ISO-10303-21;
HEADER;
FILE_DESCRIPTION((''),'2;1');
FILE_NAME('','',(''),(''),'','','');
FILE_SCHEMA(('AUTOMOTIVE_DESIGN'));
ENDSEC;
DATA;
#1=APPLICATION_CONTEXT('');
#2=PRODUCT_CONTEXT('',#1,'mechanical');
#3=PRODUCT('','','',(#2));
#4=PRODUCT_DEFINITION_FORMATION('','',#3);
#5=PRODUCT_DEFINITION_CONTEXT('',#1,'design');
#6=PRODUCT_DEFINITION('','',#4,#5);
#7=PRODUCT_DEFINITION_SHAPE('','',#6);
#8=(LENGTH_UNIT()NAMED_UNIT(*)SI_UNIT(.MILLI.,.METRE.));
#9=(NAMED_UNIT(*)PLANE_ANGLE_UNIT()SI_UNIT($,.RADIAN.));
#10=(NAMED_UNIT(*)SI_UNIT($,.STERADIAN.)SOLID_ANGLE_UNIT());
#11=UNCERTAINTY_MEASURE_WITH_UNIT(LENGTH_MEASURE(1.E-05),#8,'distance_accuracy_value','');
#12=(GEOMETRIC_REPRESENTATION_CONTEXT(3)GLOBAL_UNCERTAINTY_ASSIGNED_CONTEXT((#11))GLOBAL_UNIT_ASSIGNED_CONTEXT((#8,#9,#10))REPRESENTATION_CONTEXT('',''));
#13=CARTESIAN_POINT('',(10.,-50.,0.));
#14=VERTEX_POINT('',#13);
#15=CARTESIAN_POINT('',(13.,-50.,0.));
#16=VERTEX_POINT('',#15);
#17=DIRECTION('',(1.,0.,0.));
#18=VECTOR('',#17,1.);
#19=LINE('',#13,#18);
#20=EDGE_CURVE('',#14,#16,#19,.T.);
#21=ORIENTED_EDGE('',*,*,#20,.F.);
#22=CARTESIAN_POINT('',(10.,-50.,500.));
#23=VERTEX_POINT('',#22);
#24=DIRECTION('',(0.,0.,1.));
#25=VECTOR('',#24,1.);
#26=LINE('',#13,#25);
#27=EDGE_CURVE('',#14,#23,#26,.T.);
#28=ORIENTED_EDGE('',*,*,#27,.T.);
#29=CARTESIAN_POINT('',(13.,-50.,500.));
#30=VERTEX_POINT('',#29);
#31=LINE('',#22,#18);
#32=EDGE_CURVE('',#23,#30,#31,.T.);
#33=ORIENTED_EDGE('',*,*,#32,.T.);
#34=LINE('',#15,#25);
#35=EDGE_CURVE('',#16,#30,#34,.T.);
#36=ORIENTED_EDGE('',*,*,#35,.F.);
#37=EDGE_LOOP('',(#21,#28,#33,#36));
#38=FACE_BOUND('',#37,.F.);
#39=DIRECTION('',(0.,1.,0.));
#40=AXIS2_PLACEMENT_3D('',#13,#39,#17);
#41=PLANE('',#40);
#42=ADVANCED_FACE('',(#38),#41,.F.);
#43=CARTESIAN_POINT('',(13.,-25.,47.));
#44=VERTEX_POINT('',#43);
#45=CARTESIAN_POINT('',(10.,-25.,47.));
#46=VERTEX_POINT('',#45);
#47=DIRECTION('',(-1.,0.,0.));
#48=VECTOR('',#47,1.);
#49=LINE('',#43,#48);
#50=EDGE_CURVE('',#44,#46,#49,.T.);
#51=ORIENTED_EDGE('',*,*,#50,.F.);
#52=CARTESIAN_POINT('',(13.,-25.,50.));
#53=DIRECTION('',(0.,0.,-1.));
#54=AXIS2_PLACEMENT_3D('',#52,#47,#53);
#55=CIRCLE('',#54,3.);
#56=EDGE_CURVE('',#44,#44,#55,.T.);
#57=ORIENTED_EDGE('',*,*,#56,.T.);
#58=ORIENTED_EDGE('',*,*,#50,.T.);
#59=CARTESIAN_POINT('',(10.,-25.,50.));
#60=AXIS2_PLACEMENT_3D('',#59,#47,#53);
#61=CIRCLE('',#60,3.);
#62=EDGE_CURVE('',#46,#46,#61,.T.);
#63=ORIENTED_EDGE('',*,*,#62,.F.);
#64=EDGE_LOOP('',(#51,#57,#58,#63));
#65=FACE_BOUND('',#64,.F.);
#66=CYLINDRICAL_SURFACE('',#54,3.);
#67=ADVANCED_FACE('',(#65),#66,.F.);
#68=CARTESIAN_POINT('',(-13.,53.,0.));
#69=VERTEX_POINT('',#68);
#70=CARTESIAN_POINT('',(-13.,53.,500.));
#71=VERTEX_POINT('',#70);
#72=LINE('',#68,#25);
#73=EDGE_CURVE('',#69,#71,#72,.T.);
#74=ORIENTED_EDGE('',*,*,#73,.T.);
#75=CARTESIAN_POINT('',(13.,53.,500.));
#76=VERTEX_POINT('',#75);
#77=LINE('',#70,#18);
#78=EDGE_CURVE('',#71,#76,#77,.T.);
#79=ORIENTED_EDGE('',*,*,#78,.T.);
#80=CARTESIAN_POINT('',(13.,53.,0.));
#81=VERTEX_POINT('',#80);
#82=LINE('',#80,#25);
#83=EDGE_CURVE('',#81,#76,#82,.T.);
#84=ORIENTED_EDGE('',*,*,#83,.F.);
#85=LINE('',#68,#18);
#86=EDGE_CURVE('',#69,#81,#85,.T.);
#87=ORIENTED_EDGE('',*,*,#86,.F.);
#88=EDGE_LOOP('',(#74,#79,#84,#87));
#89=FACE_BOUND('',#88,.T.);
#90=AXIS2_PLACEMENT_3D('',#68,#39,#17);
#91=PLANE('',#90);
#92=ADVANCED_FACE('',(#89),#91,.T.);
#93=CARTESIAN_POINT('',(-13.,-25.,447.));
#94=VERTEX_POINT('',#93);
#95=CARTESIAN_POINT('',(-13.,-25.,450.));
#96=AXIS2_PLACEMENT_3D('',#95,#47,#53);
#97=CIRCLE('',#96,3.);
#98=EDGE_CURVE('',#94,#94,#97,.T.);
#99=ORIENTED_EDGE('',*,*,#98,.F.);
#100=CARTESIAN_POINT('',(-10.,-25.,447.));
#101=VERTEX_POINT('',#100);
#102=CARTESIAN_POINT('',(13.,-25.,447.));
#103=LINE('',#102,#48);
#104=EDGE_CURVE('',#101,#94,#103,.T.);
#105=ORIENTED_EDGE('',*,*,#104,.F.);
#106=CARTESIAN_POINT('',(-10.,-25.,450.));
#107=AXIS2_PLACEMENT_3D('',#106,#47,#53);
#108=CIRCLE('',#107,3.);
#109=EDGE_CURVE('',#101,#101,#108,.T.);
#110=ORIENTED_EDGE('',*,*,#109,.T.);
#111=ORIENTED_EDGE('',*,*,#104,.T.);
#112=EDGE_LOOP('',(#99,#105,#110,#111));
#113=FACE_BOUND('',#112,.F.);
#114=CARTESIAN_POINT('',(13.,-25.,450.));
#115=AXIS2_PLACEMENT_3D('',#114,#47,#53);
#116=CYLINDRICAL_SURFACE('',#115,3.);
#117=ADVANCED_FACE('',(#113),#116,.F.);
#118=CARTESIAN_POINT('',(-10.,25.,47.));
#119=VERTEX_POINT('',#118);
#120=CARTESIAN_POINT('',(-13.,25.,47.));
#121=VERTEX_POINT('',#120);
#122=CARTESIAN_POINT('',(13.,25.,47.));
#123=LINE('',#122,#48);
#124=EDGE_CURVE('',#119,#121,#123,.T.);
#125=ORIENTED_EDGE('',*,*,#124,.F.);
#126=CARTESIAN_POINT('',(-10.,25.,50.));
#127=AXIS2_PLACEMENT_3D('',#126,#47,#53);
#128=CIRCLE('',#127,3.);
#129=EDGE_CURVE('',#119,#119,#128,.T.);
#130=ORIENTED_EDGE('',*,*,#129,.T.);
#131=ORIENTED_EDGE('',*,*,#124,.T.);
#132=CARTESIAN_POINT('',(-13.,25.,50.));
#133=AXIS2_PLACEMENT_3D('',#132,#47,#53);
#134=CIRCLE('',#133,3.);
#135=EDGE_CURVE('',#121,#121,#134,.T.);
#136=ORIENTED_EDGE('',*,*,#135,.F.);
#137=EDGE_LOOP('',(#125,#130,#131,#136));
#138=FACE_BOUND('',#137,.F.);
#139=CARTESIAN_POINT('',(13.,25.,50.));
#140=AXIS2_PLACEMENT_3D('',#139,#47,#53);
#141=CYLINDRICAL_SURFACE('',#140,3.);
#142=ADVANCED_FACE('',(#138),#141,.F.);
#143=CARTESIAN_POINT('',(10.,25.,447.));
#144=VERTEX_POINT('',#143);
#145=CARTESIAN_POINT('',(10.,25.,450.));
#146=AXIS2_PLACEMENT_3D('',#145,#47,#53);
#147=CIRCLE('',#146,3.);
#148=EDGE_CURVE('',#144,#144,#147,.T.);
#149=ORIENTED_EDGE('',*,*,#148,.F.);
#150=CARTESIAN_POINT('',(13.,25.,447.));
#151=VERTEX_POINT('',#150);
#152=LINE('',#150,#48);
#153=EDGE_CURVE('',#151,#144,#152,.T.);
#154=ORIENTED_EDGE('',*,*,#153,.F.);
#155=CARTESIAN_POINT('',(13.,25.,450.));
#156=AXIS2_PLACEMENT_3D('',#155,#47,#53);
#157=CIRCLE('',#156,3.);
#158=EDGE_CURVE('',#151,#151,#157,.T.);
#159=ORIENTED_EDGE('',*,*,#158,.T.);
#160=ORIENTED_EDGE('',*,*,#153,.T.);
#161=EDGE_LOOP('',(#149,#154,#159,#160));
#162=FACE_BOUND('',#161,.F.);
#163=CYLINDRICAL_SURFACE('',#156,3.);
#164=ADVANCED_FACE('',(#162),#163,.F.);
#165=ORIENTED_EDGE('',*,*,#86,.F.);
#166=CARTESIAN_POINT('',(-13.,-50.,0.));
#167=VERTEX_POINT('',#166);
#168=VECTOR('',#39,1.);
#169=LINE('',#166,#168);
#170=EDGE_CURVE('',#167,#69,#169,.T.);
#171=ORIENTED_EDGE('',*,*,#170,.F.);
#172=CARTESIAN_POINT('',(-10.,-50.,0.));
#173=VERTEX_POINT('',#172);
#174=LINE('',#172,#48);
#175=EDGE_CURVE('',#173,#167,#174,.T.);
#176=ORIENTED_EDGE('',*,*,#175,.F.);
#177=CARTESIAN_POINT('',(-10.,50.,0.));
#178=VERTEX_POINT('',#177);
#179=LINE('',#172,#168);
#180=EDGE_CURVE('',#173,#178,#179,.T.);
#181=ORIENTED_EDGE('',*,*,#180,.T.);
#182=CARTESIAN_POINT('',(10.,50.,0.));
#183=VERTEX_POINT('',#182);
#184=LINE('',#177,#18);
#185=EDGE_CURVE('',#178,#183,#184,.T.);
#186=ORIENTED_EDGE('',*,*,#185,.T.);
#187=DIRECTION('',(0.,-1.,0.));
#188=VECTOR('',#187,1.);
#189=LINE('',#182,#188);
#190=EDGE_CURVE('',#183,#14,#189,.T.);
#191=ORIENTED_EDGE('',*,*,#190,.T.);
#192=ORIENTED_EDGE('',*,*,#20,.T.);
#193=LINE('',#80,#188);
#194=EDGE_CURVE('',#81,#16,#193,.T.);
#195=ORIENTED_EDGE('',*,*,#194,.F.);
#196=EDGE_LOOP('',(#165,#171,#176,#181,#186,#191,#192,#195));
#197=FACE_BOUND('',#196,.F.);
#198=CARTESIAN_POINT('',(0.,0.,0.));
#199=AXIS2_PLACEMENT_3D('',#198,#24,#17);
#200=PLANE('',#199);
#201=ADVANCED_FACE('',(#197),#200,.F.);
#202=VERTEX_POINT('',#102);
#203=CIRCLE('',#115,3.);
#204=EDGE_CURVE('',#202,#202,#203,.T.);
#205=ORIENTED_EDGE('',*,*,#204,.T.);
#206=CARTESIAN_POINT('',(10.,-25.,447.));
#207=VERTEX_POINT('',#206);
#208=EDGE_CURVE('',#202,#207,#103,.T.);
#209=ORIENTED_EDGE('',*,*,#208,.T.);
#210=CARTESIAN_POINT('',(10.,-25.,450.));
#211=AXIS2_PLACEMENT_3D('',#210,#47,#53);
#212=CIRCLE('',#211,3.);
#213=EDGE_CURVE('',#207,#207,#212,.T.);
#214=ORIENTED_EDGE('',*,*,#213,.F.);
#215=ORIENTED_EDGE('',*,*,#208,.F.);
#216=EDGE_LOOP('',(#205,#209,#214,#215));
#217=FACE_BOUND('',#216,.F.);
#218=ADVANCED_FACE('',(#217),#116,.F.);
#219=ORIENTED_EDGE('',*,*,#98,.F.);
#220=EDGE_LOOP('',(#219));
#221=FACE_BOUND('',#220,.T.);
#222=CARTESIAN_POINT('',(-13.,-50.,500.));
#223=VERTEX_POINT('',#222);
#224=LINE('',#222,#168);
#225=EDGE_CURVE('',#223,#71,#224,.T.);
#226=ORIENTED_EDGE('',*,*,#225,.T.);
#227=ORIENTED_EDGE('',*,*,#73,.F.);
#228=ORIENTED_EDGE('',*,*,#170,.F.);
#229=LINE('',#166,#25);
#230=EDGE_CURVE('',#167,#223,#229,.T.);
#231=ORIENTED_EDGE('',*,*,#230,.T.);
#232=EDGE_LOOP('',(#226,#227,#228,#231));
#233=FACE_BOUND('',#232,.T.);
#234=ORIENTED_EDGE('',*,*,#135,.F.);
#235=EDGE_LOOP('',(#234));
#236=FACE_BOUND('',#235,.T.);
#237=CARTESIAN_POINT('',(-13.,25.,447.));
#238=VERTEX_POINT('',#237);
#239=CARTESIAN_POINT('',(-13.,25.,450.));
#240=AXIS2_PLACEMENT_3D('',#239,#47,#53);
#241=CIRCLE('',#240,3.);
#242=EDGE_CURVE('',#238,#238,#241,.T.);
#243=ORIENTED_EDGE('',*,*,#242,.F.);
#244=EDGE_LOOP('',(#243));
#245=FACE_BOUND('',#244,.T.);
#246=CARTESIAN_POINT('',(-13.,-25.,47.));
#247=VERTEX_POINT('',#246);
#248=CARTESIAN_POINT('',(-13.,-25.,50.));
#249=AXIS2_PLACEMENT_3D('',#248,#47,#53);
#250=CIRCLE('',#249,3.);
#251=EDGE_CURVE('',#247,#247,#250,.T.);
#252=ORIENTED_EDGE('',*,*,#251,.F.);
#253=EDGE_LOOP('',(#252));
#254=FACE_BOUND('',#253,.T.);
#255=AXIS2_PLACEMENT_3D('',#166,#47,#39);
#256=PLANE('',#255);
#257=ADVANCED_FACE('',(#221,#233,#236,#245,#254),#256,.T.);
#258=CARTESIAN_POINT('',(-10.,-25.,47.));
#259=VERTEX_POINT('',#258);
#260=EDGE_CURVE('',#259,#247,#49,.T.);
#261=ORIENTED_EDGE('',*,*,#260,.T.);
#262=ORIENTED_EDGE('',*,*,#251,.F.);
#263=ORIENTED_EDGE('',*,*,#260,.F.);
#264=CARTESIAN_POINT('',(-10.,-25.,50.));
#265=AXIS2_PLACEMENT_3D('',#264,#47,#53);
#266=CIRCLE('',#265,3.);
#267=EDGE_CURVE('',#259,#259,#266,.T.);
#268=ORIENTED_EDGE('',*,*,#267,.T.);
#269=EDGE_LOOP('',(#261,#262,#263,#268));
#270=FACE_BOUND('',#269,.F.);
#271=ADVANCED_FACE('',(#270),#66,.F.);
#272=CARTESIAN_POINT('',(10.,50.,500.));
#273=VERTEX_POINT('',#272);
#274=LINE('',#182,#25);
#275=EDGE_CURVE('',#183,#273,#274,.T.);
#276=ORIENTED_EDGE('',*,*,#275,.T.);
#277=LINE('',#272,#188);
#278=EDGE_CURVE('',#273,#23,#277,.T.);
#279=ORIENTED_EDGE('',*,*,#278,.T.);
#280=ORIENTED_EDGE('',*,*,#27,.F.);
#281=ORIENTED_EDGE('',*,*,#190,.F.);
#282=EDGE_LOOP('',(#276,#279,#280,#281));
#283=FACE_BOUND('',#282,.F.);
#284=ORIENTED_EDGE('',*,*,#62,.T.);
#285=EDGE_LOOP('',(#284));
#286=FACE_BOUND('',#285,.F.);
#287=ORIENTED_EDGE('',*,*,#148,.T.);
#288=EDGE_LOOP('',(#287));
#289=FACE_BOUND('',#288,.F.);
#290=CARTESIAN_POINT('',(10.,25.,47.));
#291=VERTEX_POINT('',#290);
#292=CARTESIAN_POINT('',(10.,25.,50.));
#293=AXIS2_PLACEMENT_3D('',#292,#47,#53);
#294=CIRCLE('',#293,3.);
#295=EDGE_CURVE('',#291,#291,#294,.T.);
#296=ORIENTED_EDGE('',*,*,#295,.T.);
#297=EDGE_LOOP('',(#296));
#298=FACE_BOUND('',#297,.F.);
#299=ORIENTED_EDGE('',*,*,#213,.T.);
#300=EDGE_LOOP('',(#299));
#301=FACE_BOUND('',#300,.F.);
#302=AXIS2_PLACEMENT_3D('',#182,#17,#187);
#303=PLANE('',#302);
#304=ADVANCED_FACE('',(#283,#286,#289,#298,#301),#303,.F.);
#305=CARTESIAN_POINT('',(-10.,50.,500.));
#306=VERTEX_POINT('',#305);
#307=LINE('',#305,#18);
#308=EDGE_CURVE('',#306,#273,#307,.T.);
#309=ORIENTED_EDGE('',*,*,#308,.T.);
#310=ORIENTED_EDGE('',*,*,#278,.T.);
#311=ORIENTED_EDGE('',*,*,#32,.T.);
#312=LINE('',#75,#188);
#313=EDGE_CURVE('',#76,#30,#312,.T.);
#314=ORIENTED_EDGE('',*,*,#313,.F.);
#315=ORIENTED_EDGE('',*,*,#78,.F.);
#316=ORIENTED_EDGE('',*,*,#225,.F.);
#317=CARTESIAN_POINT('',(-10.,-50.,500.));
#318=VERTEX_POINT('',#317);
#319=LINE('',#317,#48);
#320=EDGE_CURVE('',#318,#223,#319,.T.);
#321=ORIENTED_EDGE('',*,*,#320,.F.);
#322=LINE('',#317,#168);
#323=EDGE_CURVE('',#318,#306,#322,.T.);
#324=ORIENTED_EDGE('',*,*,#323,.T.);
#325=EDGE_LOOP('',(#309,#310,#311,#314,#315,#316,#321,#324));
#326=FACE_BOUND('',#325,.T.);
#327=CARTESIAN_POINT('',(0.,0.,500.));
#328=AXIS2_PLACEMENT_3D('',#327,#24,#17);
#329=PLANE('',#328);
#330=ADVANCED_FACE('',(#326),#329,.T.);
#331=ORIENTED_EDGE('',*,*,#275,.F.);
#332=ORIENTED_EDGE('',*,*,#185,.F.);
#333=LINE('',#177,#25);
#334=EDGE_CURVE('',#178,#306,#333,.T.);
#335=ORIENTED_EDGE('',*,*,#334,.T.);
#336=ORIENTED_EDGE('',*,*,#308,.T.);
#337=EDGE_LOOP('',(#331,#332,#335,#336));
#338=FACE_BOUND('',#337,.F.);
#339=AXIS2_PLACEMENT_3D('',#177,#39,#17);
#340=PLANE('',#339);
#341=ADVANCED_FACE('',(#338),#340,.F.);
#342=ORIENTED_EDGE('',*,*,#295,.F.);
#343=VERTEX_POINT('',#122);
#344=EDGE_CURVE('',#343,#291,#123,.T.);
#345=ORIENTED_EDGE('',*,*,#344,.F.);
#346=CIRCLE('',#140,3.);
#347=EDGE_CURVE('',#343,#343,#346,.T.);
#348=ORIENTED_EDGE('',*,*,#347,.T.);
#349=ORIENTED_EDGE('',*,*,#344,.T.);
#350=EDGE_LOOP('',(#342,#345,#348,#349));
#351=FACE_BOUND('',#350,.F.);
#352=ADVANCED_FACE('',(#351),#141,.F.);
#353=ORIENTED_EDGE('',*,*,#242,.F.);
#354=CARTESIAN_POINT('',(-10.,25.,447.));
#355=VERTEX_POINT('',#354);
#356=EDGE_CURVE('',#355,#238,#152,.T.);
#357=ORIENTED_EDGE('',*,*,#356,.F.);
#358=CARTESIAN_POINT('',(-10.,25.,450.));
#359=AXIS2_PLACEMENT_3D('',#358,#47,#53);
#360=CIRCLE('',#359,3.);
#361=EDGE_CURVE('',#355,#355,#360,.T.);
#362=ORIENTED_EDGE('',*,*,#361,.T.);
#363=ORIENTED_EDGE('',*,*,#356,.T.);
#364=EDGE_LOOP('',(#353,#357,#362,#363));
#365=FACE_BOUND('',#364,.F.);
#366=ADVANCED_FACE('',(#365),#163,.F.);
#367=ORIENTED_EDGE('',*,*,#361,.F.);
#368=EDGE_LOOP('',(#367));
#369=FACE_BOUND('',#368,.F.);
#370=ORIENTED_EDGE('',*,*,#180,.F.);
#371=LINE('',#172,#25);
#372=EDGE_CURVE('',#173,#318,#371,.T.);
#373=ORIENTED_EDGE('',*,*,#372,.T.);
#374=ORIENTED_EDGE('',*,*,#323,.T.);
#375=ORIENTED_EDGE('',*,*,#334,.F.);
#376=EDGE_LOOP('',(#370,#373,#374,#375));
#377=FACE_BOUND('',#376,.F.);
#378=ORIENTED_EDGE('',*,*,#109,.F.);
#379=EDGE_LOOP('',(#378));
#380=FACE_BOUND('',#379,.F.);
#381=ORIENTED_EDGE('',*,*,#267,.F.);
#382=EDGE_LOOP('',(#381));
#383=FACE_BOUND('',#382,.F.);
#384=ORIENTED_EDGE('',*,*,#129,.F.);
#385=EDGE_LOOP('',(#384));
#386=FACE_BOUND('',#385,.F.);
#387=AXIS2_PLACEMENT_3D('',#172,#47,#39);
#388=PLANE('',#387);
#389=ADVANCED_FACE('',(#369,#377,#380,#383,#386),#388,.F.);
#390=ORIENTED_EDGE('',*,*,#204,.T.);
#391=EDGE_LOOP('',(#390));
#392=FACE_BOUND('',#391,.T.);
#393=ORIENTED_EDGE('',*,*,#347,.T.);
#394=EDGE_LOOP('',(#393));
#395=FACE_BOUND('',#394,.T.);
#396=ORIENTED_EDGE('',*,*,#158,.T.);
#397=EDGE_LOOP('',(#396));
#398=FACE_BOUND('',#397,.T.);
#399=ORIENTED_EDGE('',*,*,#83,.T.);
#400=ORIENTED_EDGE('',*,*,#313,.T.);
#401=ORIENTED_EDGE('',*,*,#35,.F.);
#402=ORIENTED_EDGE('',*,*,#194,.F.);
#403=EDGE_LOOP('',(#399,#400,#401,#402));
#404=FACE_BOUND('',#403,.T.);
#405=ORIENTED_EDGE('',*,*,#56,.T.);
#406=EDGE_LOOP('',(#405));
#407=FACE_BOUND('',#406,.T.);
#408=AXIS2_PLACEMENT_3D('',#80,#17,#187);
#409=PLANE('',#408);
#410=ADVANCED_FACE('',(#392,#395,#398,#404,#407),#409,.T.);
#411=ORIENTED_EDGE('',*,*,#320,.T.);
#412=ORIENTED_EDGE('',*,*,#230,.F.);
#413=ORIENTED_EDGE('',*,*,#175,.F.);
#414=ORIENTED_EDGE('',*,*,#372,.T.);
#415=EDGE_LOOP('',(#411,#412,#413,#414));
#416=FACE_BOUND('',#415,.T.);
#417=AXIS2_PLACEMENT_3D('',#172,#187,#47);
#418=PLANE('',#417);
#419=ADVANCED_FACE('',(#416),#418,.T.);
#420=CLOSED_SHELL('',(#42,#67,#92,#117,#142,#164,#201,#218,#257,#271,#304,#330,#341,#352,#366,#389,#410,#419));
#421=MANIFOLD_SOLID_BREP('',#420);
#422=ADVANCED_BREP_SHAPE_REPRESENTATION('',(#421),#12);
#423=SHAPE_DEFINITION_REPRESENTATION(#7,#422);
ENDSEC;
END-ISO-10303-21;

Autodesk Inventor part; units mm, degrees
ref_plane "YZ Plane" through (0, 0, 0) normal (1, 0, 0) x (0, 1, 0)
ref_plane "XZ Plane" through (0, 0, 0) normal (0, 1, 0) x (-1, 0, 0)
ref_plane "XY Plane" through (0, 0, 0) normal (0, 0, 1) x (1, 0, 0)
sketch "Sketch1" plane through (0, 0, 0) normal (0, 0, 1) x (1, 0, 0)
  line L0 (-10, 50) -> (10, 50)
  line L1 (10, 50) -> (10, -50)
  line L2 (-10, -50) -> (-10, 50)
  line L3 (-10, 50) -> (10, -50) construction
  line L4 (10, 50) -> (-10, -50) construction
  line L5 (-13, 53) -> (13, 53)
  line L6 (13, 53) -> (13, -50)
  line L7 (-13, -50) -> (-13, 53)
  line L8 (-13, 53) -> (13, -53) construction
  line L9 (13, 53) -> (-13, -53) construction
  line L10 (-10, -50) -> (-13, -50)
  line L11 (10, -50) -> (13, -50)
  point P0 (0, 0)
  point P1 (0, 0)
extrude "Extrusion1" add sketch "Sketch1" along normal blind 500
sketch "Sketch2" plane through (13, -50, 0) normal (1, 0, 0) x (0, 0, -1)
  line L0 (-500, 0) -> (-500, 103) projected
  line L1 (0, 0) -> (-500, 0) projected
  line L2 (0, 0) -> (0, 103) projected
  point P0 (0, 50)
  point P1 (-450, 75)
  point P2 (-450, 25)
  point P3 (-50, 75)
  point P4 (-50, 25)
  dimension "d21" = 50
  dimension "d22" = 50
  dimension "d23" = 50
  dimension "d24" = 25
  dimension "d25" = 50
  dimension "d26" = 25
  dimension "d27" = 50
  dimension "d28" = 50
hole "Hole1" at (13, 25, 450) at (13, -25, 450) at (13, 25, 50) at (13, -25, 50) direction (-1, 0, 0) diameter 6 end through all
properties part number "tankholder"
